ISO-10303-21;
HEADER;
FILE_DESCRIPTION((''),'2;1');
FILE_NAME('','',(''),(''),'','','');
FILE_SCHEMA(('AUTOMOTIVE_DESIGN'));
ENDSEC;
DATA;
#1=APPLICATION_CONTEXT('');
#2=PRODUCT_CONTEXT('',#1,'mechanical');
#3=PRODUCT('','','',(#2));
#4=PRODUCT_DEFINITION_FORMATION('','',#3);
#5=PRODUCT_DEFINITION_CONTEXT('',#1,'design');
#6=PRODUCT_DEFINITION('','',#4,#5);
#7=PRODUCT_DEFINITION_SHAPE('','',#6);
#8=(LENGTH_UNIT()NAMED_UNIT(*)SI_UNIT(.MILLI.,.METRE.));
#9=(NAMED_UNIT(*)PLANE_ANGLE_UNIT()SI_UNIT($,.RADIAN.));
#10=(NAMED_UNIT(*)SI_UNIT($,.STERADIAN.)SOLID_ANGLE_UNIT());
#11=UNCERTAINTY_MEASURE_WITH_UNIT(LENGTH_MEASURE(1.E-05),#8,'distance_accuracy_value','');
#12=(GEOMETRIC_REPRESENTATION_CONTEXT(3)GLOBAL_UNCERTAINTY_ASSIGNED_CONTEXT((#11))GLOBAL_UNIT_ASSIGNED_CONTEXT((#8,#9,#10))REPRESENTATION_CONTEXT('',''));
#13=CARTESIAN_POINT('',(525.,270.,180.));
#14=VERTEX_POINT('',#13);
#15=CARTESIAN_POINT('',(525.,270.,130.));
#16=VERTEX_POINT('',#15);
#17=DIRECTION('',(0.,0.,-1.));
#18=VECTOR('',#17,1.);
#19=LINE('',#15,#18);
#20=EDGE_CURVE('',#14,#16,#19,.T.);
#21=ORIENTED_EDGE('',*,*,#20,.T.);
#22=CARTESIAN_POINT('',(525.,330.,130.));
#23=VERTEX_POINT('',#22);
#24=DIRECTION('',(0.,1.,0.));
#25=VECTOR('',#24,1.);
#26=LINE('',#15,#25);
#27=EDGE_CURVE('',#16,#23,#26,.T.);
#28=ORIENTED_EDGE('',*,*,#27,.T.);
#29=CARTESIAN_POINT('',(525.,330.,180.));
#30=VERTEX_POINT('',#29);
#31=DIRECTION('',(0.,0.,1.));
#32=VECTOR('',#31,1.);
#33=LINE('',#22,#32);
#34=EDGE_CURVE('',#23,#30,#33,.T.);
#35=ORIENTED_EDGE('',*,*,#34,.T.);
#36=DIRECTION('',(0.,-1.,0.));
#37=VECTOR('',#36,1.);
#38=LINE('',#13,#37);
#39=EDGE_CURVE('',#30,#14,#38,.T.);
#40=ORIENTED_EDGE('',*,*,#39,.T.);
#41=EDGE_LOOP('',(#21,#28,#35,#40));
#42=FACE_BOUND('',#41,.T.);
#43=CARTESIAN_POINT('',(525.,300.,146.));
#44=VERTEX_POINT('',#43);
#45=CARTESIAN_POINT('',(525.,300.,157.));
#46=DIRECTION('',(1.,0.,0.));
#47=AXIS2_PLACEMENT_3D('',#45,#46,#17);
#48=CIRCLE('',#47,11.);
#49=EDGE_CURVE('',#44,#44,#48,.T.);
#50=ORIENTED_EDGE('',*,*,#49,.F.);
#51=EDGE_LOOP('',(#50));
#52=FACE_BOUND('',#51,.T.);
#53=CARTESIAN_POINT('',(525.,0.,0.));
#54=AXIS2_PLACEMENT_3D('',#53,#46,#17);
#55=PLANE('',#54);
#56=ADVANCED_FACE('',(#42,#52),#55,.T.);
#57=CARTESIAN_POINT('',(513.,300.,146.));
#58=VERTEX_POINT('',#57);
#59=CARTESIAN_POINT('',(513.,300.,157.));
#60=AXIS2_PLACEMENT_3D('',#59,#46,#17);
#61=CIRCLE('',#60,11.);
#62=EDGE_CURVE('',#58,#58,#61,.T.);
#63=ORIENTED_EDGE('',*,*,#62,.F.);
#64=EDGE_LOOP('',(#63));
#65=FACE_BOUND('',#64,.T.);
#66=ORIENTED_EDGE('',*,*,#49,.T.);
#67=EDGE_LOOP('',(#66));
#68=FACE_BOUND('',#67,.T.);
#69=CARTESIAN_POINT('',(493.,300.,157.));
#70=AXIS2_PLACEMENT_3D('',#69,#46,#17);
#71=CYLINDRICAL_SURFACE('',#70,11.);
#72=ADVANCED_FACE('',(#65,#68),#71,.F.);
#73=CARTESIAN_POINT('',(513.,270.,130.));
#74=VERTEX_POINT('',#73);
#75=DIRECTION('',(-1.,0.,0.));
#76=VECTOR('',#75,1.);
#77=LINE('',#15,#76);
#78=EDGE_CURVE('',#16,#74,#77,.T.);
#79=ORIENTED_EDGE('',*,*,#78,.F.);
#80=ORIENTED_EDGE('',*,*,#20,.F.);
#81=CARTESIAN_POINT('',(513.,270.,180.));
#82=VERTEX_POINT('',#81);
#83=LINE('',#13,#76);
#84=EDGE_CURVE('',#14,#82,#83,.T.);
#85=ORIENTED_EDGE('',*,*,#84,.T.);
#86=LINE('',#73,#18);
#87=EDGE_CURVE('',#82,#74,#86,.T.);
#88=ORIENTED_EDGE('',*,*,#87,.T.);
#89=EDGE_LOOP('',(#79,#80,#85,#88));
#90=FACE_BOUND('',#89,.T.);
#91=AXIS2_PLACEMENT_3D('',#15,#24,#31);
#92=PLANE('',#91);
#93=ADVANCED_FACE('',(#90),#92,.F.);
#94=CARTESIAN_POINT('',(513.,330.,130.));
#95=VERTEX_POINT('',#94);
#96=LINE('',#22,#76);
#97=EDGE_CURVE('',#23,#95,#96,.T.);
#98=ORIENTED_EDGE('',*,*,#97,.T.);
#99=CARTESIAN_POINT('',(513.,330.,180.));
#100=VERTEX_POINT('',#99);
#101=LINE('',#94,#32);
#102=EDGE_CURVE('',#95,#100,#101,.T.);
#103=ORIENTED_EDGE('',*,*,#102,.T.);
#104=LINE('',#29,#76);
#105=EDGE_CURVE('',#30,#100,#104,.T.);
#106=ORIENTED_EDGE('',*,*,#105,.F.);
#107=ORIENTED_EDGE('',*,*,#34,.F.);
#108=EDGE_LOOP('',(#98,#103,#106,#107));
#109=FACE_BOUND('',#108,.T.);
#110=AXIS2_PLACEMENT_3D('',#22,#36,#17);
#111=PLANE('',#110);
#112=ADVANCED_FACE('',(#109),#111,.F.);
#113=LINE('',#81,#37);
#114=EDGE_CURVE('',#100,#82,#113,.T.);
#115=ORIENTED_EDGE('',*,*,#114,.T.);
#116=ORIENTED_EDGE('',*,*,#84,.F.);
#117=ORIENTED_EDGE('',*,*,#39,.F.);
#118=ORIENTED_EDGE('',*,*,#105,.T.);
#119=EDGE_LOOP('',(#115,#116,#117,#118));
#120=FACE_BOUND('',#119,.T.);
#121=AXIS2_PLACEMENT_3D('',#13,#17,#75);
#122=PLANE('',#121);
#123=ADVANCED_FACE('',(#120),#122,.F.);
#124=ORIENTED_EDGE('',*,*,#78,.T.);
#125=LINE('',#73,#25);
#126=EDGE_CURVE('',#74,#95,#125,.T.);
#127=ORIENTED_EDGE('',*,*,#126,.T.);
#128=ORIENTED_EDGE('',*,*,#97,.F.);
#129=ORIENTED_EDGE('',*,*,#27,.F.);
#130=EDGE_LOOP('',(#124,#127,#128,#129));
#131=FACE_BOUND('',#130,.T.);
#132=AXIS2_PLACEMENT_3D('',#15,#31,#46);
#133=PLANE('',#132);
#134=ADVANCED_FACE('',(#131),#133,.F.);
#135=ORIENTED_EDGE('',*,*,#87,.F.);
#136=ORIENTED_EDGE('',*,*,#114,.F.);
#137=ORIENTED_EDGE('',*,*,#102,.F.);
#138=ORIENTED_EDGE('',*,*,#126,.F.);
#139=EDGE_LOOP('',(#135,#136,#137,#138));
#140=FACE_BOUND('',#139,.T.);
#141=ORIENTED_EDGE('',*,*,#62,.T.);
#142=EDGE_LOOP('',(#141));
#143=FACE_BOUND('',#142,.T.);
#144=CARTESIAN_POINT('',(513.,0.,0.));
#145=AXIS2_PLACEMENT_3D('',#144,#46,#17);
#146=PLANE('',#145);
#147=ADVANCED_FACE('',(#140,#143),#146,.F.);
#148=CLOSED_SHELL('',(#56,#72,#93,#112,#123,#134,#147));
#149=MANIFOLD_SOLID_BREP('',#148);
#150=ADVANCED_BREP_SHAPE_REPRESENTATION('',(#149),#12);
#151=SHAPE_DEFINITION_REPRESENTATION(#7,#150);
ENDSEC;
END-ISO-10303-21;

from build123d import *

# Parameters (mm, degrees)
SKETCH1_W           = 50
SKETCH1_H           = 60
BOSS_EXTRUDE1_DEPTH = 12
SKETCH2_R           = 11
CUT_EXTRUDE1_DEPTH  = 32


with BuildPart() as part:
    # Sketch1 → Boss-Extrude1 (new body)
    with BuildSketch(Plane(origin=(513, 0, 0), x_dir=(0, 0, -1), z_dir=(1, 0, 0))):
        with Locations((-155, 300)):
            Rectangle(SKETCH1_W, SKETCH1_H)
    extrude(amount=BOSS_EXTRUDE1_DEPTH)

    # Sketch2 → Cut-Extrude1 (cut)
    with BuildSketch(Plane(origin=(525, 0, 0), x_dir=(0, 0, -1), z_dir=(1, 0, 0))):
        with Locations((-157, 300)):
            Circle(SKETCH2_R)
    extrude(amount=-CUT_EXTRUDE1_DEPTH, mode=Mode.SUBTRACT)


solid = part.part
